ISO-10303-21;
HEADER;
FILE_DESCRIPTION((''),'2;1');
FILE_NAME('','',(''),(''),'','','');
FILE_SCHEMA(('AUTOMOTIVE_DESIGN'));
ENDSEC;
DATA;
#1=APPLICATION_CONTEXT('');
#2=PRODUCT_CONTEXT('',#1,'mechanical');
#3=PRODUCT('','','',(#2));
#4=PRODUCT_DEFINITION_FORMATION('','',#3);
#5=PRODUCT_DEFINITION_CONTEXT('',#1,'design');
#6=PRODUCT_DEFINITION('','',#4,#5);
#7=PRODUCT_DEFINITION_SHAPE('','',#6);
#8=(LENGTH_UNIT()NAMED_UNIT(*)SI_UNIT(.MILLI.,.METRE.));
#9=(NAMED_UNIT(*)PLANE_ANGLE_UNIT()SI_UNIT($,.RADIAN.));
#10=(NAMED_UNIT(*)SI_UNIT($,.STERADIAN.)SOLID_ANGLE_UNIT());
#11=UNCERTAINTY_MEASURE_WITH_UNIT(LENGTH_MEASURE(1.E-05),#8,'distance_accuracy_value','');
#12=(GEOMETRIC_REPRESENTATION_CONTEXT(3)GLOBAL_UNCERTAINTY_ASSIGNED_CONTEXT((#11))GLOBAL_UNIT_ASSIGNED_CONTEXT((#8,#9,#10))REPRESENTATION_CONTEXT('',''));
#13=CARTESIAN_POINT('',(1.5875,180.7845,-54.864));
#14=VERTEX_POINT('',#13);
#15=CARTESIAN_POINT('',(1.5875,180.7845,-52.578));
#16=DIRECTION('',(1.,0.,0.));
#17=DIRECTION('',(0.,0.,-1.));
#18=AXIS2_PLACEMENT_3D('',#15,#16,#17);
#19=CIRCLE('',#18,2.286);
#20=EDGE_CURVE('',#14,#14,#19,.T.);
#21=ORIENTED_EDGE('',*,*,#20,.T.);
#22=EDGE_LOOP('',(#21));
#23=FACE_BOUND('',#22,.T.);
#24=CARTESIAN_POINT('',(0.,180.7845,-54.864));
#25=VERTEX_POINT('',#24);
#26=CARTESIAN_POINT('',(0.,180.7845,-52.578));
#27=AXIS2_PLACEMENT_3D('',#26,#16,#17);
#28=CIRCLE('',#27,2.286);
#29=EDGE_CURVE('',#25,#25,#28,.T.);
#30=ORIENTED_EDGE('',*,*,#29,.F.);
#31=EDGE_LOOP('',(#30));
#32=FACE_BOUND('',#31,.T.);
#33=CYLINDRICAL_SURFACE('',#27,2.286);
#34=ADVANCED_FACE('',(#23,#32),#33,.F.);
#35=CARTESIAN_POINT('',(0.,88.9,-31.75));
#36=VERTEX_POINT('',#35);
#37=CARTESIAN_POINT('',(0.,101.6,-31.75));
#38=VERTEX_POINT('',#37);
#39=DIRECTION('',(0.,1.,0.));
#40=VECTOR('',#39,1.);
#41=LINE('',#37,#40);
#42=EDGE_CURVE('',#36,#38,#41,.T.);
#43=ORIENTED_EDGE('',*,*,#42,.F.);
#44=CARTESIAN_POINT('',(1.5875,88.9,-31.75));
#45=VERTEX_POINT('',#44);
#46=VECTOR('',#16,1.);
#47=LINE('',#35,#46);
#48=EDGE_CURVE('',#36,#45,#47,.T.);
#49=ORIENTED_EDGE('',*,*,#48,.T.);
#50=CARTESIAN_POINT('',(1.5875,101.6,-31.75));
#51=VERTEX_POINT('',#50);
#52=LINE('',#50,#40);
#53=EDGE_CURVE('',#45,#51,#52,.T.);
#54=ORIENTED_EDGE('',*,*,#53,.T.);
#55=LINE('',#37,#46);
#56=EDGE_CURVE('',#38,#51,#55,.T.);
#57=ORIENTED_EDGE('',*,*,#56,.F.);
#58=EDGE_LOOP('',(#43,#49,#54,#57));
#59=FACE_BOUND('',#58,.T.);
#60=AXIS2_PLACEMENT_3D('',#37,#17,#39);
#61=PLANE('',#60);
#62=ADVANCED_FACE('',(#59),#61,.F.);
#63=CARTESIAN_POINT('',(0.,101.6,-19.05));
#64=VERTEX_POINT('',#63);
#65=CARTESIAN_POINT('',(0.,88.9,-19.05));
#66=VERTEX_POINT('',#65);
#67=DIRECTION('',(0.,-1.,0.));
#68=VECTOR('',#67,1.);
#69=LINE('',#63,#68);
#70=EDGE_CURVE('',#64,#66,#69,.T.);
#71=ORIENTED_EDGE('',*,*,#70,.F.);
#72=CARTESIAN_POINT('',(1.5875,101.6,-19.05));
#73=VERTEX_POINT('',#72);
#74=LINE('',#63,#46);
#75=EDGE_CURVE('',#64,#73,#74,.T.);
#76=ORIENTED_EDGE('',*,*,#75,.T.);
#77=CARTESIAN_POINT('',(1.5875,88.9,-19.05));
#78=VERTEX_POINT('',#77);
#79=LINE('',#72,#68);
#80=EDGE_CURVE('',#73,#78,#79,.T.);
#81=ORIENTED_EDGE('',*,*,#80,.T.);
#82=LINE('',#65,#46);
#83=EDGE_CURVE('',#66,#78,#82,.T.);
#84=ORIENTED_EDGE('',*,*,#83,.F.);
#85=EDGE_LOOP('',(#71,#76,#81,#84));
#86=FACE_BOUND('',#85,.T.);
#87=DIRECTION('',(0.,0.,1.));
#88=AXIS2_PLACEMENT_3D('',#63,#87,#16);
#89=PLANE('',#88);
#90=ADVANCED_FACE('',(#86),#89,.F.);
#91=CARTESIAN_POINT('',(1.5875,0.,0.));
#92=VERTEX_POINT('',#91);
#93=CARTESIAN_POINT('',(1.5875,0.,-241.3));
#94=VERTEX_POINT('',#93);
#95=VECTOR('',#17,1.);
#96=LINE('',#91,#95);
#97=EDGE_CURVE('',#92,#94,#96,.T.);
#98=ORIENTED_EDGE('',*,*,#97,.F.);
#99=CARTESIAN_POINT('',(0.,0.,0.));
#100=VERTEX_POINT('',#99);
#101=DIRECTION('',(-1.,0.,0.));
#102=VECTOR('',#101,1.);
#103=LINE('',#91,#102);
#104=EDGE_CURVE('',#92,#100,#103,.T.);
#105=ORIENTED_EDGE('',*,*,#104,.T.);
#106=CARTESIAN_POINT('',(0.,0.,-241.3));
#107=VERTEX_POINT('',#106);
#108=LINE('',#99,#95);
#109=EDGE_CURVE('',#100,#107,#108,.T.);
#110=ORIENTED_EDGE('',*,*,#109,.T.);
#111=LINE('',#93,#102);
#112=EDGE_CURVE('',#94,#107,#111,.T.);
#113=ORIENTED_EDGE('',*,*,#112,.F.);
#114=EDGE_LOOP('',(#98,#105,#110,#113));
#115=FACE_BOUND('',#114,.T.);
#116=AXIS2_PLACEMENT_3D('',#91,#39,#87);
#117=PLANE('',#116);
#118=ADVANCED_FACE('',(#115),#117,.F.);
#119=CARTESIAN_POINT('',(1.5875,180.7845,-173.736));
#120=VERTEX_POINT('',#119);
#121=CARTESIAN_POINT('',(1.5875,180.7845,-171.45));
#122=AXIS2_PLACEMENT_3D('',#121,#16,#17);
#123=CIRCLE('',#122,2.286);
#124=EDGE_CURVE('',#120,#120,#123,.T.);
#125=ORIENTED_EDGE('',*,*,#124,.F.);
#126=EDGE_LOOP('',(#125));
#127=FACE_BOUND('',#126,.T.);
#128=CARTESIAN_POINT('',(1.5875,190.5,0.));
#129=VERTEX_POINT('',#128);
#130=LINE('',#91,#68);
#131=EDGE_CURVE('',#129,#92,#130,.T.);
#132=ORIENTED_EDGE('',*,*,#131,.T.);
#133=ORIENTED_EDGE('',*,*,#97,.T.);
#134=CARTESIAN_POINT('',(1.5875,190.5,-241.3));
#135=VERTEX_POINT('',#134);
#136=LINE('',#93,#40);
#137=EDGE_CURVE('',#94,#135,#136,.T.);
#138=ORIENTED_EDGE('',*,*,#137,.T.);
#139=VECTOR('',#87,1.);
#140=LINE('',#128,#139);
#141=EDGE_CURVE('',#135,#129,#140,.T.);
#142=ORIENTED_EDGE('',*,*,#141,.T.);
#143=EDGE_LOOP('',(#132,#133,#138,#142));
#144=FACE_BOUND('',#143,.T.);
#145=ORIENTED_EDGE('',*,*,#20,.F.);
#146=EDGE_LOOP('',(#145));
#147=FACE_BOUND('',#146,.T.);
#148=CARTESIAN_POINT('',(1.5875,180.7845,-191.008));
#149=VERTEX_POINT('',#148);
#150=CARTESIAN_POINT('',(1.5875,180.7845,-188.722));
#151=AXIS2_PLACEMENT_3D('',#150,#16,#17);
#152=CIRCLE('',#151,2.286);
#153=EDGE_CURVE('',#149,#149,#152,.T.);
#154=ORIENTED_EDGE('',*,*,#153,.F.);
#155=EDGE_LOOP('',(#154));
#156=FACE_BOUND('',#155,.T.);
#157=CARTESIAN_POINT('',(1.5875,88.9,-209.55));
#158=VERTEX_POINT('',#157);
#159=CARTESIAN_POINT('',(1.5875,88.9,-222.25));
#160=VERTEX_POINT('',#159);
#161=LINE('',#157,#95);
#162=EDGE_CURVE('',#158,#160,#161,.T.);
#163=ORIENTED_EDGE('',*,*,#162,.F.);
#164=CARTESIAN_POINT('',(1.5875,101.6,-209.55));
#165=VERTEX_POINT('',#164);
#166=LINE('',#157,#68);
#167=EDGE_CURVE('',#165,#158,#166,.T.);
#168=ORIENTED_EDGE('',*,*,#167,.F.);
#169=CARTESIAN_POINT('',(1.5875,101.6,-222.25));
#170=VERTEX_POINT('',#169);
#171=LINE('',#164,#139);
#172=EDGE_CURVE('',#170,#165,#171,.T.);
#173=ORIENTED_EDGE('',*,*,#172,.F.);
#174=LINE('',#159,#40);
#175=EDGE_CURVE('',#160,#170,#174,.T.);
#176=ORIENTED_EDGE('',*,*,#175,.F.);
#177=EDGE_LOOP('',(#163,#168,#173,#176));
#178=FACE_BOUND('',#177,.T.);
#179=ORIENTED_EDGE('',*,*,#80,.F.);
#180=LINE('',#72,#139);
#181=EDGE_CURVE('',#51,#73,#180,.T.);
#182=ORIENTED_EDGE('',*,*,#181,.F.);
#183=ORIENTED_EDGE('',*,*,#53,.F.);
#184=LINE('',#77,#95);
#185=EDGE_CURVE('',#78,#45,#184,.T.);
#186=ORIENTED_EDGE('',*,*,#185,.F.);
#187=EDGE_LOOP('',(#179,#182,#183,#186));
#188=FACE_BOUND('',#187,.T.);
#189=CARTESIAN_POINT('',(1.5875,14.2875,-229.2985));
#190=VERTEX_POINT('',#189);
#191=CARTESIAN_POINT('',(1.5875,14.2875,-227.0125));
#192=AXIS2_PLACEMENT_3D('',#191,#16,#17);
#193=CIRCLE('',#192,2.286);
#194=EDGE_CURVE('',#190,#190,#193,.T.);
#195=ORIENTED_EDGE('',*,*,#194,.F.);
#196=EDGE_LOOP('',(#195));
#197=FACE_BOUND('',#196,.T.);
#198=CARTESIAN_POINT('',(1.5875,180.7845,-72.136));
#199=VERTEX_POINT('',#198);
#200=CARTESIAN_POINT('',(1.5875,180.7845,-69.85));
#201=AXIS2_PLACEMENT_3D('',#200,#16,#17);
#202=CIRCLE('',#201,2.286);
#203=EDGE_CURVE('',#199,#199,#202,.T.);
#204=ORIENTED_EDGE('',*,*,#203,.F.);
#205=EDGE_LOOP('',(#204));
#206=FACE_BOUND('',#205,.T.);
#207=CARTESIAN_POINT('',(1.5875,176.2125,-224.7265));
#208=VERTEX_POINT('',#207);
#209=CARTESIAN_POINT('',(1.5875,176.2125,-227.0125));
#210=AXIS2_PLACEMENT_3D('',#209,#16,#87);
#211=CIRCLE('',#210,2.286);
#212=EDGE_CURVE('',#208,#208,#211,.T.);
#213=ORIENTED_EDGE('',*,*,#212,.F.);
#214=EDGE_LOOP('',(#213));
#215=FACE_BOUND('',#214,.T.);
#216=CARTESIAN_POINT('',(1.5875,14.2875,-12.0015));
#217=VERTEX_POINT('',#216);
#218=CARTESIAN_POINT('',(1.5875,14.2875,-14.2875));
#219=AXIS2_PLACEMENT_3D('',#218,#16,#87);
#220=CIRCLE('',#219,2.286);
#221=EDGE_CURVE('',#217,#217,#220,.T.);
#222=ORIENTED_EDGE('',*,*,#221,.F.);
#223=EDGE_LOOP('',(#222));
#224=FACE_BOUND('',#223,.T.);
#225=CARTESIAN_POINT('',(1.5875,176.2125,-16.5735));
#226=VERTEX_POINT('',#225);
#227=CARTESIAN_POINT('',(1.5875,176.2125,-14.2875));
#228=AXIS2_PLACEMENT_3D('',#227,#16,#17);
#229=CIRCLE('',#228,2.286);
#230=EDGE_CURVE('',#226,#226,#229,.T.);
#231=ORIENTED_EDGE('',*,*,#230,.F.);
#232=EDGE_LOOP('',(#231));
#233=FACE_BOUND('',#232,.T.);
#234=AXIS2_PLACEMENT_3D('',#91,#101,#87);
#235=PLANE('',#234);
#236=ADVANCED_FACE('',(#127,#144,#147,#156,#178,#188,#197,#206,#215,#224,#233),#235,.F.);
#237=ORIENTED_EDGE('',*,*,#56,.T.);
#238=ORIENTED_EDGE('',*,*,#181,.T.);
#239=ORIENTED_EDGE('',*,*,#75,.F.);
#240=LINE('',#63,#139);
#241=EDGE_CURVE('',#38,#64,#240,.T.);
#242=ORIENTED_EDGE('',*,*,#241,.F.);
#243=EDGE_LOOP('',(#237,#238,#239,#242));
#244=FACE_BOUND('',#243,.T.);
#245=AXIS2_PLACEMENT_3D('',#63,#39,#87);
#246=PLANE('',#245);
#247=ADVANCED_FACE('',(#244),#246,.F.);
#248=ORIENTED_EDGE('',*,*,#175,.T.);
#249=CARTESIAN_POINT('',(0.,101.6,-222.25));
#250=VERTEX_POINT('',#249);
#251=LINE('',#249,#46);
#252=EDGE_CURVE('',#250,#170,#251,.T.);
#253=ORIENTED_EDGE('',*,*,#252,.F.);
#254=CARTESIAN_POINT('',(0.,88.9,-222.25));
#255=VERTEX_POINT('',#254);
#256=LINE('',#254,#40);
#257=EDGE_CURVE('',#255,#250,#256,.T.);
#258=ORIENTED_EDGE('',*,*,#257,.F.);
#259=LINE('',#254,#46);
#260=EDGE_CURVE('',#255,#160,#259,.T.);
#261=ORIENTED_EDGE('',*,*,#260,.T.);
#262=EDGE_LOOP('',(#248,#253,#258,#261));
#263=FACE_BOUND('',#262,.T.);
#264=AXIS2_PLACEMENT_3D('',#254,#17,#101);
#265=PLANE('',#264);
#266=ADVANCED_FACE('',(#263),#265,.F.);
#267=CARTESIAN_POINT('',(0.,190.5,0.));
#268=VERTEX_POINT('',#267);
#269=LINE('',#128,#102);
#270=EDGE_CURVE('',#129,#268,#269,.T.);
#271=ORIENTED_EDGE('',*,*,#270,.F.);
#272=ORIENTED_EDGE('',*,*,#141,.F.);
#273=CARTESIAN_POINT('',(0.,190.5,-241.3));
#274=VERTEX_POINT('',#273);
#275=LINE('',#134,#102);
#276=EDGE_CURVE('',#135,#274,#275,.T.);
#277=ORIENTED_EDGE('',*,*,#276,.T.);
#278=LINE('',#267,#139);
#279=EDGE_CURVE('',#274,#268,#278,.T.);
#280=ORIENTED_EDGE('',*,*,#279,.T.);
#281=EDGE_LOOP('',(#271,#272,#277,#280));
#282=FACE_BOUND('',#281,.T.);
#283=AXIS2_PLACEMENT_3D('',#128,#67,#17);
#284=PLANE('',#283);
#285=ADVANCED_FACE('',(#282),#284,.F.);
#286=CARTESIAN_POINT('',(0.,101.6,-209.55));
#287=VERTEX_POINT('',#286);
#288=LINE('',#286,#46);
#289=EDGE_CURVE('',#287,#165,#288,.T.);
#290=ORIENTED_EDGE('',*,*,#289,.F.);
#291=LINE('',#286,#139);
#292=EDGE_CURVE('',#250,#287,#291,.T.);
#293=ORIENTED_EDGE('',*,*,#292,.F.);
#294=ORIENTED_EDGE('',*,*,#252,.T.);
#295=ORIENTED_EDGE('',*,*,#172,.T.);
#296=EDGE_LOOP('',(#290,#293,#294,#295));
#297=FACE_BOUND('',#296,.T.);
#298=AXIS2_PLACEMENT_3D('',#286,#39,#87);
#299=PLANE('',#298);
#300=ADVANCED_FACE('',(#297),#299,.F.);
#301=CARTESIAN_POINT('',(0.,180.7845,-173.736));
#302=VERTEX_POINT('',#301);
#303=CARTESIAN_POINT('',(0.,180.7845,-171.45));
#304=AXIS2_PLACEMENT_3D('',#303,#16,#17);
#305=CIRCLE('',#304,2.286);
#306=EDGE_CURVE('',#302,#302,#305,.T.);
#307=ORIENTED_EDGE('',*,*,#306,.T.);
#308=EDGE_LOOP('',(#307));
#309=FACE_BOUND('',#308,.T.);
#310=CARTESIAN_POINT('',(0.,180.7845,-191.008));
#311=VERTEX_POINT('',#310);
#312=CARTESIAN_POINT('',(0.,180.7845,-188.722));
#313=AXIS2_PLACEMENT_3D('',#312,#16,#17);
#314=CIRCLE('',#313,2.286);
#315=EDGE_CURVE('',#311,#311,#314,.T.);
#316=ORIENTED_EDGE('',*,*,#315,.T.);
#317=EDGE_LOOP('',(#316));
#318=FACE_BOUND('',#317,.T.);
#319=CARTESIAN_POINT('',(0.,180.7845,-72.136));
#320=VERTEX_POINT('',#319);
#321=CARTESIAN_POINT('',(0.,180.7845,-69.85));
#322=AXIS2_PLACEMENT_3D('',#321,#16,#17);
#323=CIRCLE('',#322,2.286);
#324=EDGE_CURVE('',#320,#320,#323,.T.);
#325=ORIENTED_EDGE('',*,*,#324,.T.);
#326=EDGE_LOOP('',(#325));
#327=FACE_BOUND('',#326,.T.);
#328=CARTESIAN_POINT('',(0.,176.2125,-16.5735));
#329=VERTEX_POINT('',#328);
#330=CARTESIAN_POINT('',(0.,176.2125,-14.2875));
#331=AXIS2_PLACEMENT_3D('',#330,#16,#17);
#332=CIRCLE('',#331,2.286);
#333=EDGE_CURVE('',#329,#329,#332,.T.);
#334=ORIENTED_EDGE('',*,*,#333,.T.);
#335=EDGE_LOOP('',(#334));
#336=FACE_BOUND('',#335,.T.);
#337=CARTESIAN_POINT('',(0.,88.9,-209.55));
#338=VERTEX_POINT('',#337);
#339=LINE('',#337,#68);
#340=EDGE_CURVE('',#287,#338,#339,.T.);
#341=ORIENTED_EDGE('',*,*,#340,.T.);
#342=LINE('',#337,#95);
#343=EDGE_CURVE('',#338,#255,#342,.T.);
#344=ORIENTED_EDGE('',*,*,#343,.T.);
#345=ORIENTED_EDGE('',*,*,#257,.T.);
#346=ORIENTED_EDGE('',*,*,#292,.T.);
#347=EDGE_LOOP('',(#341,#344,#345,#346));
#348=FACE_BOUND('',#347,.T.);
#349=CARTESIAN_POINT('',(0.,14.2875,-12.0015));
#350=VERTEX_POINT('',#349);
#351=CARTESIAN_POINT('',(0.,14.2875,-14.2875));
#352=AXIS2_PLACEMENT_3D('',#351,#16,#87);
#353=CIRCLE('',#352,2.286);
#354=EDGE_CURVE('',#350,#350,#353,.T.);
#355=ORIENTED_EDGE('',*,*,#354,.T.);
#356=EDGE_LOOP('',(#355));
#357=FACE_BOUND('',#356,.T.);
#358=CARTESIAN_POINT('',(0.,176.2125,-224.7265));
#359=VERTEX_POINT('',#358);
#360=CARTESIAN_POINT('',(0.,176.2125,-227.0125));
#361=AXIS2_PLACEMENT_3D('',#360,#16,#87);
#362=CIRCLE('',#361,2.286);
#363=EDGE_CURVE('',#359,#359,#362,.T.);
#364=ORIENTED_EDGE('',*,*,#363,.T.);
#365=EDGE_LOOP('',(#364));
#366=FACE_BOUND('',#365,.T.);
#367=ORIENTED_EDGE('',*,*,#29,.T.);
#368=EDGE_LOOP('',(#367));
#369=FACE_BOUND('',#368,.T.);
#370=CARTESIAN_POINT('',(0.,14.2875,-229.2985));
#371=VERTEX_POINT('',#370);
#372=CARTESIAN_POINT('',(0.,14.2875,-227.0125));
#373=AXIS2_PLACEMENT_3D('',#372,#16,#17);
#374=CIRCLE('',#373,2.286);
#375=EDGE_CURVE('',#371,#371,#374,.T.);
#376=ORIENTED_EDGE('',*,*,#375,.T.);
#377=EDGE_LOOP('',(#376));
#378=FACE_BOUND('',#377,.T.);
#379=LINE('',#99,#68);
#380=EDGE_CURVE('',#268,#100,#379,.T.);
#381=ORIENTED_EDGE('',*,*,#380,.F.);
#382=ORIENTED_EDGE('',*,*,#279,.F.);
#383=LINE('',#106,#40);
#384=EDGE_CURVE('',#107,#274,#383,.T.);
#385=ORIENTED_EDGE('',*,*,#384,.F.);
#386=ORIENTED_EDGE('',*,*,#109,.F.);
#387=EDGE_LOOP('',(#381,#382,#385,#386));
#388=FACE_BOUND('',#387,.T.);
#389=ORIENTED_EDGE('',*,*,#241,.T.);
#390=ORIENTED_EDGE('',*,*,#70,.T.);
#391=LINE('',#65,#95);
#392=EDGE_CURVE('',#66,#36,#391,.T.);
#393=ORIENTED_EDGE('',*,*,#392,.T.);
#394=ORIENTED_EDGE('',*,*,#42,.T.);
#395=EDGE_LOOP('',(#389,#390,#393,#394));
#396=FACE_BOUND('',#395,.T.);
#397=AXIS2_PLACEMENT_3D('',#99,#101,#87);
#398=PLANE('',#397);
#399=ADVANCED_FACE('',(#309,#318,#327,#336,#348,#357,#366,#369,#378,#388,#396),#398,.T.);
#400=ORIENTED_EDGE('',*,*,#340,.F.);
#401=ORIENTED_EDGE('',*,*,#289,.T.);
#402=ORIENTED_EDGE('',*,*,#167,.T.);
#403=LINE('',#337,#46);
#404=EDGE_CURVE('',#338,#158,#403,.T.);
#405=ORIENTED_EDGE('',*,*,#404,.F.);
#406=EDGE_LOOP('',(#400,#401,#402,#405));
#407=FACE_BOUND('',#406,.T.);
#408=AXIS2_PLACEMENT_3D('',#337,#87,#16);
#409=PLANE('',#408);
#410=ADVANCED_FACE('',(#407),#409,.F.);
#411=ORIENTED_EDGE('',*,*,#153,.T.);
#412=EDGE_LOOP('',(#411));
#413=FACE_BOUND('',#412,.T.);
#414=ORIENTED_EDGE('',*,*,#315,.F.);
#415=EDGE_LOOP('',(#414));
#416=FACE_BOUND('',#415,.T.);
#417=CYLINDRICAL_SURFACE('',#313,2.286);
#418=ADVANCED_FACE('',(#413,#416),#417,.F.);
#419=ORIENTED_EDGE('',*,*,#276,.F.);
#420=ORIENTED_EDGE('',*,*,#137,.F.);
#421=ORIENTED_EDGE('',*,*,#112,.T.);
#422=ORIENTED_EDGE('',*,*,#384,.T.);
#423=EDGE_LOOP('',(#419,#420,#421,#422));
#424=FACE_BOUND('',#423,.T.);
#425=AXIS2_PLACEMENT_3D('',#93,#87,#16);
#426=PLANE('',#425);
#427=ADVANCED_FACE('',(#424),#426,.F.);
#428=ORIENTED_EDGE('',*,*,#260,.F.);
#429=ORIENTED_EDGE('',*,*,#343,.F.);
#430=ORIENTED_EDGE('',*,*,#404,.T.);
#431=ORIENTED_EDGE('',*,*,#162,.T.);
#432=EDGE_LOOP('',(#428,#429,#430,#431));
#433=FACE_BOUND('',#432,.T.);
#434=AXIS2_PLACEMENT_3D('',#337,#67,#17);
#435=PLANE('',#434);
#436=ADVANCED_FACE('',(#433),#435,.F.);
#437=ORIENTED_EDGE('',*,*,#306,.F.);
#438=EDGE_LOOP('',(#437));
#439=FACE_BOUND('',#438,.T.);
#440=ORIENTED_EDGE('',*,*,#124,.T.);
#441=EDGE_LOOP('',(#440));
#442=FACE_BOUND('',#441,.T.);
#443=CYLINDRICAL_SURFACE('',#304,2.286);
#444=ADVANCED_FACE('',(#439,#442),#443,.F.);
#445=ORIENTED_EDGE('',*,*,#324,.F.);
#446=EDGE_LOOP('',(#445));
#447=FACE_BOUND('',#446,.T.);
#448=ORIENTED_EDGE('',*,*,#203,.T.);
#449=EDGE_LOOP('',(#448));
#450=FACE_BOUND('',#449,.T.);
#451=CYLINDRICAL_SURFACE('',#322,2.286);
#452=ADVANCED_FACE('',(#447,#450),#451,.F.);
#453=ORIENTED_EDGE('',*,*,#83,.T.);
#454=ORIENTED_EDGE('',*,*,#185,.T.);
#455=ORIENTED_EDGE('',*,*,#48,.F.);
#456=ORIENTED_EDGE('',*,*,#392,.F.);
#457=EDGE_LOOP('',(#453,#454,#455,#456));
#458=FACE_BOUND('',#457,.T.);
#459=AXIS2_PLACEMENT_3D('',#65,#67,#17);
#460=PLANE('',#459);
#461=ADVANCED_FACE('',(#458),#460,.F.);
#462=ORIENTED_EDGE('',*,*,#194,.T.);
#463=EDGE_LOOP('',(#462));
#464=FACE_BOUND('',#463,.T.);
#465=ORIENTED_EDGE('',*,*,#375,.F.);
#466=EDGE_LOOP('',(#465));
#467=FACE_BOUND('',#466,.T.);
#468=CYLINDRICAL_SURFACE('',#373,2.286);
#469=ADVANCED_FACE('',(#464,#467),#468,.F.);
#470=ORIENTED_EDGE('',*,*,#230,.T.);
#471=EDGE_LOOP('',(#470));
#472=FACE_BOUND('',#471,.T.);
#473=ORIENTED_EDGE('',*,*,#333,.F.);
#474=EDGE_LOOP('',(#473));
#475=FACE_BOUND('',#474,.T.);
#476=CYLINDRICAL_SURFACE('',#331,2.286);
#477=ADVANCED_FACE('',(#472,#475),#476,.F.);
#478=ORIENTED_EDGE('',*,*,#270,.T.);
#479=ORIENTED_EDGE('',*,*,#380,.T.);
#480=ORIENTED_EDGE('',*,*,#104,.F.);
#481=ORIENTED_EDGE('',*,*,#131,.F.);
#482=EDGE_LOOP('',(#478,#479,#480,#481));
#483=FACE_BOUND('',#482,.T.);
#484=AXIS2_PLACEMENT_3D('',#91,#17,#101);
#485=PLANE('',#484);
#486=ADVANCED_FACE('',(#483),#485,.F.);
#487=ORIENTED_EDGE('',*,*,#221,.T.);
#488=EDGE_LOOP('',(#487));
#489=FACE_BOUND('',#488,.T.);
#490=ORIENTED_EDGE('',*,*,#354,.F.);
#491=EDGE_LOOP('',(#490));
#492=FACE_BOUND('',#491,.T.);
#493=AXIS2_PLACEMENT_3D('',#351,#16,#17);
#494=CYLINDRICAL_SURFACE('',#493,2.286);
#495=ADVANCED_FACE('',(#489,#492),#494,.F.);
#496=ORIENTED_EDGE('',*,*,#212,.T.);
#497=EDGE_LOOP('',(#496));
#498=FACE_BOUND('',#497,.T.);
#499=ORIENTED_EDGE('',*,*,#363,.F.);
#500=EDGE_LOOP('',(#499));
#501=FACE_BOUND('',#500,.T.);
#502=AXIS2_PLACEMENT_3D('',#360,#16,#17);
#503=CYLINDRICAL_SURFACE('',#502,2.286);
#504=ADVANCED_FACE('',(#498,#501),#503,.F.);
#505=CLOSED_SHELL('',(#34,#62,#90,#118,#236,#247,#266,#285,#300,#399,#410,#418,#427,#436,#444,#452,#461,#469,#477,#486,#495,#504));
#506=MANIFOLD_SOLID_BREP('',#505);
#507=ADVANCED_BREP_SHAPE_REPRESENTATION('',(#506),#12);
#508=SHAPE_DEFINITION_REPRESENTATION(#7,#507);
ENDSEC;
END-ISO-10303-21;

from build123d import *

# Parameters (mm, degrees)
SKETCH1_W           = 241.3
SKETCH1_H           = 190.5
BOSS_EXTRUDE1_DEPTH = 1.5875
SKETCH2_R           = 2.286
CUT_EXTRUDE1_DEPTH  = 2.5875
SKETCH3_R           = 2.286
CUT_EXTRUDE2_DEPTH  = 2.5875
SKETCH4_W           = 12.7
SKETCH4_H           = 12.7
CUT_EXTRUDE3_DEPTH  = 2.5875


with BuildPart() as part:
    # Sketch1 → Boss-Extrude1 (new body)
    with BuildSketch(Plane(origin=(0, 0, 0), x_dir=(0, 0, -1), z_dir=(1, 0, 0))):
        with Locations((120.65, 95.25)):
            Rectangle(SKETCH1_W, SKETCH1_H)
    extrude(amount=BOSS_EXTRUDE1_DEPTH)

    # Sketch2 → Cut-Extrude1 (cut, through all)
    with BuildSketch(Plane(origin=(1.5875, 0, 0), x_dir=(0, 0, -1), z_dir=(1, 0, 0))):
        with Locations((227.0125, 14.2875)):
            Circle(SKETCH2_R)
        with Locations((227.0125, 176.2125)):
            Circle(SKETCH2_R)
        with Locations((14.2875, 14.2875)):
            Circle(SKETCH2_R)
        with Locations((14.2875, 176.2125)):
            Circle(SKETCH2_R)
    extrude(amount=-CUT_EXTRUDE1_DEPTH, mode=Mode.SUBTRACT)

    # Sketch3 → Cut-Extrude2 (cut, through all)
    with BuildSketch(Plane(origin=(1.5875, 0, 0), x_dir=(0, 0, -1), z_dir=(1, 0, 0))):
        with Locations((52.578, 180.7845)):
            Circle(SKETCH3_R)
        with Locations((69.85, 180.7845)):
            Circle(SKETCH3_R)
        with Locations((171.45, 180.7845)):
            Circle(SKETCH3_R)
        with Locations((188.722, 180.7845)):
            Circle(SKETCH3_R)
    extrude(amount=-CUT_EXTRUDE2_DEPTH, mode=Mode.SUBTRACT)

    # Sketch4 → Cut-Extrude3 (cut, through all)
    with BuildSketch(Plane(origin=(1.5875, 0, 0), x_dir=(0, 0, -1), z_dir=(1, 0, 0))):
        with Locations((25.4, 95.25)):
            Rectangle(SKETCH4_W, SKETCH4_H)
        with Locations((215.9, 95.25)):
            Rectangle(SKETCH4_W, SKETCH4_H)
    extrude(amount=-CUT_EXTRUDE3_DEPTH, mode=Mode.SUBTRACT)


solid = part.part
